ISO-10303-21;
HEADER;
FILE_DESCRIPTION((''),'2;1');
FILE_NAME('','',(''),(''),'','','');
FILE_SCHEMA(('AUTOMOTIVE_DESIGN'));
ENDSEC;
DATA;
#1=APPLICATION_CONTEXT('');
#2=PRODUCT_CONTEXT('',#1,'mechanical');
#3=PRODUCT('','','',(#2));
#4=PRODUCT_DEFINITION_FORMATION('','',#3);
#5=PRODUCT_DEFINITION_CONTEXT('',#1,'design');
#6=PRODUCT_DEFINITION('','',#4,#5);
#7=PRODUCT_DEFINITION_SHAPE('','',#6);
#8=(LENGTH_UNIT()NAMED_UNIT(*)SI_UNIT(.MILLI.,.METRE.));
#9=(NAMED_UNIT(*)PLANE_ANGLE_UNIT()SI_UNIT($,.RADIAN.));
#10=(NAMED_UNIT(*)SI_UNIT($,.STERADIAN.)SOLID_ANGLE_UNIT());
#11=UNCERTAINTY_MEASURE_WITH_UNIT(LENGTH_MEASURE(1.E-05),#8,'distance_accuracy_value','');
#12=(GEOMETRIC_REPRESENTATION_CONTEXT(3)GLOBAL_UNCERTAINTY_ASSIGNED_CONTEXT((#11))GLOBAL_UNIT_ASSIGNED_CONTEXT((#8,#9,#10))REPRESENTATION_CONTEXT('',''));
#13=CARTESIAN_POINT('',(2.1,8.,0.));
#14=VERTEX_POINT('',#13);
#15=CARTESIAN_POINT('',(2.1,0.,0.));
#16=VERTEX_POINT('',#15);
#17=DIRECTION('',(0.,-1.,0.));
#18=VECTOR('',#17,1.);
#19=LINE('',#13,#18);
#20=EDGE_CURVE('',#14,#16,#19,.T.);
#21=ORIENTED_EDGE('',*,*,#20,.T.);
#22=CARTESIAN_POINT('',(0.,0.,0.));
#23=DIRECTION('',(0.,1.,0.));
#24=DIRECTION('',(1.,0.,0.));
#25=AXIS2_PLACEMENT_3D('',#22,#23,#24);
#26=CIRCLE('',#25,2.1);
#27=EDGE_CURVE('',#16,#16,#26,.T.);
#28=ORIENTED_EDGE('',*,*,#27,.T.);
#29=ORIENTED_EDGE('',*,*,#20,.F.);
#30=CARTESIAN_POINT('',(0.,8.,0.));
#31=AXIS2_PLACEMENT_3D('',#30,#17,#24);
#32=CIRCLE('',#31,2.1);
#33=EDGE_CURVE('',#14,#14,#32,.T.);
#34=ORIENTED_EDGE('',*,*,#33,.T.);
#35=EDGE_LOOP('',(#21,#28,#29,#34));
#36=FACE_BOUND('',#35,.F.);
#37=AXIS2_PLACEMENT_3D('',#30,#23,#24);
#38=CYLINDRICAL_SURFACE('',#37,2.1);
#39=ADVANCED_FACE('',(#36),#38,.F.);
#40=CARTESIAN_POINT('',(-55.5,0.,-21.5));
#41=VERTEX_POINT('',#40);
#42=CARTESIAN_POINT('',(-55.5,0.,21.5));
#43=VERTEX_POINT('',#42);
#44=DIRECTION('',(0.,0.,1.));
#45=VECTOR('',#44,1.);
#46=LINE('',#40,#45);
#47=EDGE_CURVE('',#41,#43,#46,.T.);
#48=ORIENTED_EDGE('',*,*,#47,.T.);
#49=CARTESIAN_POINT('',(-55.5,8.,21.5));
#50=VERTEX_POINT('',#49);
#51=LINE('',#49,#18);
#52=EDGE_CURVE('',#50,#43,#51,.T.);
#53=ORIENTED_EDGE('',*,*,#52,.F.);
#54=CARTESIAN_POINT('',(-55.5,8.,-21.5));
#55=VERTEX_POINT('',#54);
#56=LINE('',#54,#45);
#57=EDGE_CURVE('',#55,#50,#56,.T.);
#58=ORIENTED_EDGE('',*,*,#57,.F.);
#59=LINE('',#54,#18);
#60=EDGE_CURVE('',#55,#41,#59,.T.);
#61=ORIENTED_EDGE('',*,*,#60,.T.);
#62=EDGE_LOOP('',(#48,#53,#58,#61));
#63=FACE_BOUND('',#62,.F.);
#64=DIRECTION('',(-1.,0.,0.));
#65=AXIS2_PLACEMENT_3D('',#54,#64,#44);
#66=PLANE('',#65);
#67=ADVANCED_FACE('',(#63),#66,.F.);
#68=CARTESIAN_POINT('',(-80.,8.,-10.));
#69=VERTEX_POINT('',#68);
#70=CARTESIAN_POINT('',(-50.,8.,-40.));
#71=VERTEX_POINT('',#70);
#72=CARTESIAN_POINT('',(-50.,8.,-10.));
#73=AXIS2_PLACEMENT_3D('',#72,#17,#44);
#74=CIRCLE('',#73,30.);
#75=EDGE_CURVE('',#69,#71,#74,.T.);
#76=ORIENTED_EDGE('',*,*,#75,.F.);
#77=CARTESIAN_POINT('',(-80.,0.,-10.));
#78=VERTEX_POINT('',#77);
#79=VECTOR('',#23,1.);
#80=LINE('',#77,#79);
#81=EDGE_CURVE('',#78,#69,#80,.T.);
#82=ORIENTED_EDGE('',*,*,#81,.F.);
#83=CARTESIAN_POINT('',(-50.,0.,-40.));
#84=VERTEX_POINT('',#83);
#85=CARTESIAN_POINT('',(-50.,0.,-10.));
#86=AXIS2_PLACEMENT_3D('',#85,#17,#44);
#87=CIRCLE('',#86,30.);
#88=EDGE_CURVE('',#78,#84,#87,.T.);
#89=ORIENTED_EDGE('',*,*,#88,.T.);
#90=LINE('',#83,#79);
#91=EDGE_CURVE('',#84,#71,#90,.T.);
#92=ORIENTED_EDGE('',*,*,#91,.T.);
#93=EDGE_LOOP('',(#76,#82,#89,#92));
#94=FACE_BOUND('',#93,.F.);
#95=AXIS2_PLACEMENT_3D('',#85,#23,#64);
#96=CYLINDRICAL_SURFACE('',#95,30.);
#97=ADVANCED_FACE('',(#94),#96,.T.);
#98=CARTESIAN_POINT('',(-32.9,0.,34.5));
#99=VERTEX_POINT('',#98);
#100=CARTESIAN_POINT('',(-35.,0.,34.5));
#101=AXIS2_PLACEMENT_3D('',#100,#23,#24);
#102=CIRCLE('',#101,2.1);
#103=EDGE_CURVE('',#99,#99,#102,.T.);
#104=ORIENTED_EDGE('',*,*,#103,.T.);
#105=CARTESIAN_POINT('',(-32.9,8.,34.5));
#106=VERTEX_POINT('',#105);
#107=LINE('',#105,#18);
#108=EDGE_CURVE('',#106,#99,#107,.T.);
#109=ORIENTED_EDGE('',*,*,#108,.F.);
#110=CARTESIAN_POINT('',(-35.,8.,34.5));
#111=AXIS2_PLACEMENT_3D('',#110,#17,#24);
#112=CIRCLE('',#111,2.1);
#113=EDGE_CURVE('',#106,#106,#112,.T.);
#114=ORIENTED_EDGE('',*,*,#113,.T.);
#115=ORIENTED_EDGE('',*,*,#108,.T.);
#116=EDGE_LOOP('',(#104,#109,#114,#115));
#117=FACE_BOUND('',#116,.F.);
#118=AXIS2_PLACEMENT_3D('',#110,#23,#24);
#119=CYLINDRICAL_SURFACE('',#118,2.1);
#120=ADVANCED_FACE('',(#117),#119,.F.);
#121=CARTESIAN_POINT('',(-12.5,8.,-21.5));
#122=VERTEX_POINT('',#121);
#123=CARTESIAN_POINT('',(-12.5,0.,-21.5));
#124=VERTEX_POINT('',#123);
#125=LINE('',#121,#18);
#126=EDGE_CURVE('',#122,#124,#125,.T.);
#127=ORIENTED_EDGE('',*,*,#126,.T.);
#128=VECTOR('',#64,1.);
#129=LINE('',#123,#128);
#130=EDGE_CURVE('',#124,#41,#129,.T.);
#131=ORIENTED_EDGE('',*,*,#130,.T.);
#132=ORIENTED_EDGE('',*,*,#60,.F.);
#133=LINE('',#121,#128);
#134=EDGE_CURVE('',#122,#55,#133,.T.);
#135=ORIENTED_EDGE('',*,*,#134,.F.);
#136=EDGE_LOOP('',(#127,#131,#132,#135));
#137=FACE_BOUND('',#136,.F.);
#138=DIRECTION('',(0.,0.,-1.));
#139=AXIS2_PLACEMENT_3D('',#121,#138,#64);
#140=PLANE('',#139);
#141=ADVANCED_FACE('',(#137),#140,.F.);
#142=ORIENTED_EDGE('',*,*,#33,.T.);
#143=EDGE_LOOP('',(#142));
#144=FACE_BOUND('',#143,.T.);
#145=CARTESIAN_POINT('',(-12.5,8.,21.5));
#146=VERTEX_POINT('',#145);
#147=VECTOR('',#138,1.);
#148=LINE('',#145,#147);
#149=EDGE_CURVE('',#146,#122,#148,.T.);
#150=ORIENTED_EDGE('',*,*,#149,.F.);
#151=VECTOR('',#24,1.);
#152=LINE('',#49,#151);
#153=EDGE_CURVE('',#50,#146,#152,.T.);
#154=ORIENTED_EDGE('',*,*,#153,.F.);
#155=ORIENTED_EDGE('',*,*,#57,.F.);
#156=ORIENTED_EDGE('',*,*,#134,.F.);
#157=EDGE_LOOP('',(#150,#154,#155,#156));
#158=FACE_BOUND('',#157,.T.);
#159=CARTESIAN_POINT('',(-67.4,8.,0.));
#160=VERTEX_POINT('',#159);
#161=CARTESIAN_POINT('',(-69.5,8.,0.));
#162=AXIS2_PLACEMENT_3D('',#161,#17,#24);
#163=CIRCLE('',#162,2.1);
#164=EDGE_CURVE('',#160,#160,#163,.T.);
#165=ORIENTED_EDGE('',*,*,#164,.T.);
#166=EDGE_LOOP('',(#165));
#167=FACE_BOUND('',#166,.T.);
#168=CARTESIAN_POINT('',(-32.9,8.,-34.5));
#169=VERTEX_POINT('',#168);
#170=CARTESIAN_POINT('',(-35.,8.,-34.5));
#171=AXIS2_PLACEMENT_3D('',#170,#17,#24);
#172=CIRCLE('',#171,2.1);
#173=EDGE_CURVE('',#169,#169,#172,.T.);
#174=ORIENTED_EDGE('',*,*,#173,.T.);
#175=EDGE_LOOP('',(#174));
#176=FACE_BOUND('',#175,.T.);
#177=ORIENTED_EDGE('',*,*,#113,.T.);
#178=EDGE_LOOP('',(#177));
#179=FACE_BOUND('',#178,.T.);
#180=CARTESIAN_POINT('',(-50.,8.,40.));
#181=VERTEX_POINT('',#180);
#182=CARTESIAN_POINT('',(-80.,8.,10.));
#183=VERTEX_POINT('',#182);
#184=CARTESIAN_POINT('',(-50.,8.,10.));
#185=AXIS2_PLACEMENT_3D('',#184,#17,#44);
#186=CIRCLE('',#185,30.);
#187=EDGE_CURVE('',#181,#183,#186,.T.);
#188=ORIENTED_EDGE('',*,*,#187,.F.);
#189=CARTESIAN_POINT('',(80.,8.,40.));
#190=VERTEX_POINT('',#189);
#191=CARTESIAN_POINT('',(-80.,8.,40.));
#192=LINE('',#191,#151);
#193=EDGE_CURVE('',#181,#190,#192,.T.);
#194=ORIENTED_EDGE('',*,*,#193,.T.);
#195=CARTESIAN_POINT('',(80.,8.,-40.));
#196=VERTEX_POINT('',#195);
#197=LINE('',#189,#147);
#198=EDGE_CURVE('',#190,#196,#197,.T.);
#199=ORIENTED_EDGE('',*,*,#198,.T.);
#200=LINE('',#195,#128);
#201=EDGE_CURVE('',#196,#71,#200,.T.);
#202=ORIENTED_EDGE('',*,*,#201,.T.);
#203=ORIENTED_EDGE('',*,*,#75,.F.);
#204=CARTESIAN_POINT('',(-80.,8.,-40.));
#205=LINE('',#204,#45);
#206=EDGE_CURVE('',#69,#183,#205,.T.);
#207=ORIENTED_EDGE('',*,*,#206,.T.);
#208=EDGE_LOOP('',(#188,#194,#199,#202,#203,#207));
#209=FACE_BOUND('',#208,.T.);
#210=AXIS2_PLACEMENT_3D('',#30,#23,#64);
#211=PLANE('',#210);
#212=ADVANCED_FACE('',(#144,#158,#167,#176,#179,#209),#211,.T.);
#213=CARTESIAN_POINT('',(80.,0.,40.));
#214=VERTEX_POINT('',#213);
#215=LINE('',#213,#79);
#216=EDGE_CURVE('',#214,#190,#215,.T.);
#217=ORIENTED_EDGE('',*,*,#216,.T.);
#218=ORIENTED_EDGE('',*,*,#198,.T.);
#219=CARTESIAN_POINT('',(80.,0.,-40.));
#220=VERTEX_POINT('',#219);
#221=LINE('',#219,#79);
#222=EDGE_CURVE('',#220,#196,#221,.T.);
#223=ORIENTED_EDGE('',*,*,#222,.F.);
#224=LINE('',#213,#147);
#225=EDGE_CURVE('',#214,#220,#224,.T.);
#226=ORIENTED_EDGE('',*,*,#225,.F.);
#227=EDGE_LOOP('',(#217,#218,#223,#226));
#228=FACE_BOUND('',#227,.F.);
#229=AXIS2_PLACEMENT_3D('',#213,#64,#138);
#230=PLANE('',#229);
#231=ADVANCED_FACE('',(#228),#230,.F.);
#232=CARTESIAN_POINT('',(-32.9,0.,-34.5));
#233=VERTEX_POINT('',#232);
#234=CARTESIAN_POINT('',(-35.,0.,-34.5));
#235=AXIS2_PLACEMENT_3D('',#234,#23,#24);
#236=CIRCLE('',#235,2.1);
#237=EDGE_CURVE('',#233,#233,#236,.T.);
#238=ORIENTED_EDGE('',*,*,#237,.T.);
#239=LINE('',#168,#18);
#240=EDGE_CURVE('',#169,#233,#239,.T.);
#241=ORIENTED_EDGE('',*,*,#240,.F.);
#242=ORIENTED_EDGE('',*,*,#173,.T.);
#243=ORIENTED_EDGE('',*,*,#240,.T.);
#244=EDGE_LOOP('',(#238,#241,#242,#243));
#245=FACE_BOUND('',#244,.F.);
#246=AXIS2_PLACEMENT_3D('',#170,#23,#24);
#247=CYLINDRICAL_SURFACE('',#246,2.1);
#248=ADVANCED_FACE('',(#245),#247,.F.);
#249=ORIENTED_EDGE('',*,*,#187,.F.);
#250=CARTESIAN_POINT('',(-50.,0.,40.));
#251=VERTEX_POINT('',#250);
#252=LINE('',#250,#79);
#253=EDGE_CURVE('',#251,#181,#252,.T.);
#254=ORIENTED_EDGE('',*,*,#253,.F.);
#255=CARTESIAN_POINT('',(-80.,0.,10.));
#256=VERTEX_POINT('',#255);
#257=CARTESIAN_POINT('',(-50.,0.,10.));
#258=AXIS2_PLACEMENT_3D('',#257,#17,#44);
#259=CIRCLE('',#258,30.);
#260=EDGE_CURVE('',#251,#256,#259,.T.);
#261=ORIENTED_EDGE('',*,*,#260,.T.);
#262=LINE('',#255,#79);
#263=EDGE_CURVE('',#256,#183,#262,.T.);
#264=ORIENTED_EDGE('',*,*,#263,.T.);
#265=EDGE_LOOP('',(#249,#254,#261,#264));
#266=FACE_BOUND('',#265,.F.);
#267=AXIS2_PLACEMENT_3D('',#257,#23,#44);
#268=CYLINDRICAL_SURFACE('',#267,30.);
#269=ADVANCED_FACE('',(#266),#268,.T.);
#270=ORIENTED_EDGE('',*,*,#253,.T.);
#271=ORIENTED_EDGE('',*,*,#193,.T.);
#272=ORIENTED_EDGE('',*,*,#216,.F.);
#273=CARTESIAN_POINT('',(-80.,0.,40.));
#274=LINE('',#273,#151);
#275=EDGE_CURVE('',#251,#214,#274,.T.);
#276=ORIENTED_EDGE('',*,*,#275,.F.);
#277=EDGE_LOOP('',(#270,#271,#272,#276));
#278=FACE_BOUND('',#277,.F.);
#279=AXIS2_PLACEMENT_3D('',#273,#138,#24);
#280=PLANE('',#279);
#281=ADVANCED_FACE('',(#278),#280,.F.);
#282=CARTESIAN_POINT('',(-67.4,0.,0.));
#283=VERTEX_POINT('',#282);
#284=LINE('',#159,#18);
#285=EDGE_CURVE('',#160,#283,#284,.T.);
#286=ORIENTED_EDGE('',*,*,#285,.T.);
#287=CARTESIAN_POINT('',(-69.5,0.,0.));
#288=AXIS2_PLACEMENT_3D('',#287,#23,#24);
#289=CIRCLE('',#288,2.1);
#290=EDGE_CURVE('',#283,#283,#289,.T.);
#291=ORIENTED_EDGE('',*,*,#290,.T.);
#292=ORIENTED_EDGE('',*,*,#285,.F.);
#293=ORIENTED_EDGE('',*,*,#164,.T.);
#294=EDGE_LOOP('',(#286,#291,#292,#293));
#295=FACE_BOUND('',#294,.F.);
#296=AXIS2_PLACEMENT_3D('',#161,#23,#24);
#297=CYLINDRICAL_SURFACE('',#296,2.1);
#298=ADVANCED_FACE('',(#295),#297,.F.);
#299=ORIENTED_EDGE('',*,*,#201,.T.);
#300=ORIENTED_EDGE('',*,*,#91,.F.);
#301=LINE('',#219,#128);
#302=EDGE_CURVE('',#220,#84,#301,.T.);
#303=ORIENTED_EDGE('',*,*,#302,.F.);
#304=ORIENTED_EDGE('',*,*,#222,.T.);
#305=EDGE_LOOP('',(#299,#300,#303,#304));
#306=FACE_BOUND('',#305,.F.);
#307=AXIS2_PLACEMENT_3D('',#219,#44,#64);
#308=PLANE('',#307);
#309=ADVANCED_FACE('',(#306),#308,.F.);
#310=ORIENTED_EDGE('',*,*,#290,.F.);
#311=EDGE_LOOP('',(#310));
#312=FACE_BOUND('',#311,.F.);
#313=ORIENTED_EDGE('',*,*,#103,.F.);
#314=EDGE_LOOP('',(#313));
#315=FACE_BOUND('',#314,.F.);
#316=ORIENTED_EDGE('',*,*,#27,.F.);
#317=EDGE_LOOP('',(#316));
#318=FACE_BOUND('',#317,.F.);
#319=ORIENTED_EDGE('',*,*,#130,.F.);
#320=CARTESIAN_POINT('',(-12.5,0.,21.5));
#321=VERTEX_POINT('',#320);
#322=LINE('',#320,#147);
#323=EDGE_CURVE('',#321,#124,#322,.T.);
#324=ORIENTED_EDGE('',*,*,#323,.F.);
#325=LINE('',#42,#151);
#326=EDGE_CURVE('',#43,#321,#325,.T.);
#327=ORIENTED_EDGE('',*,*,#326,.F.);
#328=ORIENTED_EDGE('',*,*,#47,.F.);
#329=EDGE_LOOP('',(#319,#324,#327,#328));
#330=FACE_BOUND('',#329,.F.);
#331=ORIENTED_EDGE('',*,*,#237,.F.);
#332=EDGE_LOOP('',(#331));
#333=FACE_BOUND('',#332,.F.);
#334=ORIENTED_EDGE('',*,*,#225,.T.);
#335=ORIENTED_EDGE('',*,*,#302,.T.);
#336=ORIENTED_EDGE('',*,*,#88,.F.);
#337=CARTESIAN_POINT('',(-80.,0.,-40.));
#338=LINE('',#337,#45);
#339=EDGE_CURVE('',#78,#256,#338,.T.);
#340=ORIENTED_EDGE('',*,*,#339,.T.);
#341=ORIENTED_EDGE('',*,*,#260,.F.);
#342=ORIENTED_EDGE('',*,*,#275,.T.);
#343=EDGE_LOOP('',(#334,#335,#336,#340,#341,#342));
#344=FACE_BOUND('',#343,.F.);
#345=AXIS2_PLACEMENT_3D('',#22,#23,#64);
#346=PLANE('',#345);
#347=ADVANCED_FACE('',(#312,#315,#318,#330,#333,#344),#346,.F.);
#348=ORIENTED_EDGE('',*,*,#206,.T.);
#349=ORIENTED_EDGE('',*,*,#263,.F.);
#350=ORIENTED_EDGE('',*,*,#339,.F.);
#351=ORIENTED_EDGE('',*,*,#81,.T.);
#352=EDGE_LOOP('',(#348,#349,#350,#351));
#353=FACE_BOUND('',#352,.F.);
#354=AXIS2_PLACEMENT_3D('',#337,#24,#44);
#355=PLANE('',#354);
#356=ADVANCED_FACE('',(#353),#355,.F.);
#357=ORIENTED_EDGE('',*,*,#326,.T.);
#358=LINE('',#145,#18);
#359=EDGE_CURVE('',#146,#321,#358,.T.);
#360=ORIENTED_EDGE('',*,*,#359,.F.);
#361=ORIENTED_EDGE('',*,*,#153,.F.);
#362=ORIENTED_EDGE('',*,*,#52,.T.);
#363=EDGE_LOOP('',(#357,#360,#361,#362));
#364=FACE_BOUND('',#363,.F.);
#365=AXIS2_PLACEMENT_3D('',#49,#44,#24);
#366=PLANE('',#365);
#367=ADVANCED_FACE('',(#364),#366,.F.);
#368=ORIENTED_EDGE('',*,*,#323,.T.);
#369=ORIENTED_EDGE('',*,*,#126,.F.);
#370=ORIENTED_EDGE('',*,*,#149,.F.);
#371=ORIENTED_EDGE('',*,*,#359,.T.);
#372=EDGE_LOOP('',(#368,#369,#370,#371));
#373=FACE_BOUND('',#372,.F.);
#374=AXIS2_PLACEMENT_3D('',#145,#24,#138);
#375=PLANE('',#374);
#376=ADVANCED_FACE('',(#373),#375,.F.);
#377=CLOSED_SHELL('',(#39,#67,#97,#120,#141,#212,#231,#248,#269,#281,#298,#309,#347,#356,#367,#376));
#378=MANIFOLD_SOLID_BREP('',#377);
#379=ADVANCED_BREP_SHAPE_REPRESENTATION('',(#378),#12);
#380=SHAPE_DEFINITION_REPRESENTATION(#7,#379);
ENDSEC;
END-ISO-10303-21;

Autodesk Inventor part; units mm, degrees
ref_plane "YZ Plane" through (0, 0, 0) normal (1, 0, 0) x (0, 1, 0)
ref_plane "XZ Plane" through (0, 0, 0) normal (0, 1, 0) x (-1, 0, 0)
ref_plane "XY Plane" through (0, 0, 0) normal (0, 0, 1) x (1, 0, 0)
sketch "スケッチ1" plane through (0, 0, 0) normal (0, 1, 0) x (-1, 0, 0)
  line L0 (-80, -40) -> (80, -40)
  line L1 (80, -40) -> (80, 40)
  line L2 (80, 40) -> (-80, 40)
  line L3 (-80, 40) -> (-80, -40)
  line L4 (-80, -40) -> (80, 40) construction
  line L5 (80, -40) -> (-80, 40) construction
  point P0 (0, 0)
  dimension "d0" = 160
  dimension "d1" = 80
extrude "押し出し1" add sketch "スケッチ1" along normal blind 8
sketch "スケッチ2" plane through (0, 8, 0) normal (0, 1, 0) x (1, 0, 0)
  line L0 (-12.5, 21.5) -> (-55.5, 21.5)
  line L1 (-55.5, 21.5) -> (-55.5, -21.5)
  line L2 (-55.5, -21.5) -> (-12.5, -21.5)
  line L3 (-12.5, -21.5) -> (-12.5, 21.5)
  line L4 (-12.5, 21.5) -> (-55.5, -21.5) construction
  line L5 (-55.5, 21.5) -> (-12.5, -21.5) construction
  line L6 (-80, 40) -> (-80, -40) projected
  line L7 (-80, -40) -> (80, -40) projected
  point P0 (0, 0)
  point P1 (-34, 0)
  dimension "d4" = 43
  dimension "d5" = 43
  dimension "d20" = 46
  dimension "d21" = 40
extrude "押し出し2" cut sketch "スケッチ2" against normal blind 8
sketch "スケッチ3" plane through (0, 8, 0) normal (0, 1, 0) x (1, 0, 0)
  circle A0 centre (-35, 0) radius 34.5
  circle A1 centre (-69.5, 0) radius 2.1
  circle A2 centre (-35, 34.5) radius 2.1
  circle A3 centre (0, 0) radius 2.1
  circle A4 centre (-35, -34.5) radius 2.1
  dimension "d8" = 69
  dimension "d9" = 35
  dimension "d10" = 4.2
  dimension "d11" = 4.2
  dimension "d12" = 4.2
  dimension "d13" = 4.2
extrude "押し出し3" cut sketch "スケッチ3" against normal blind 8 contours A0 A3 | A0 A3 | A2 A0 | A0 A2 | A4 A0 | A0 A4 | A1 A0 | A0 A1
fillet "フィレット1" radius 30 1 edges at (-80, 4, 40)
fillet "フィレット2" radius 30 1 edges at (-80, 4, -40)
properties part number "sholder_1" material "アルミニウム 6061"
